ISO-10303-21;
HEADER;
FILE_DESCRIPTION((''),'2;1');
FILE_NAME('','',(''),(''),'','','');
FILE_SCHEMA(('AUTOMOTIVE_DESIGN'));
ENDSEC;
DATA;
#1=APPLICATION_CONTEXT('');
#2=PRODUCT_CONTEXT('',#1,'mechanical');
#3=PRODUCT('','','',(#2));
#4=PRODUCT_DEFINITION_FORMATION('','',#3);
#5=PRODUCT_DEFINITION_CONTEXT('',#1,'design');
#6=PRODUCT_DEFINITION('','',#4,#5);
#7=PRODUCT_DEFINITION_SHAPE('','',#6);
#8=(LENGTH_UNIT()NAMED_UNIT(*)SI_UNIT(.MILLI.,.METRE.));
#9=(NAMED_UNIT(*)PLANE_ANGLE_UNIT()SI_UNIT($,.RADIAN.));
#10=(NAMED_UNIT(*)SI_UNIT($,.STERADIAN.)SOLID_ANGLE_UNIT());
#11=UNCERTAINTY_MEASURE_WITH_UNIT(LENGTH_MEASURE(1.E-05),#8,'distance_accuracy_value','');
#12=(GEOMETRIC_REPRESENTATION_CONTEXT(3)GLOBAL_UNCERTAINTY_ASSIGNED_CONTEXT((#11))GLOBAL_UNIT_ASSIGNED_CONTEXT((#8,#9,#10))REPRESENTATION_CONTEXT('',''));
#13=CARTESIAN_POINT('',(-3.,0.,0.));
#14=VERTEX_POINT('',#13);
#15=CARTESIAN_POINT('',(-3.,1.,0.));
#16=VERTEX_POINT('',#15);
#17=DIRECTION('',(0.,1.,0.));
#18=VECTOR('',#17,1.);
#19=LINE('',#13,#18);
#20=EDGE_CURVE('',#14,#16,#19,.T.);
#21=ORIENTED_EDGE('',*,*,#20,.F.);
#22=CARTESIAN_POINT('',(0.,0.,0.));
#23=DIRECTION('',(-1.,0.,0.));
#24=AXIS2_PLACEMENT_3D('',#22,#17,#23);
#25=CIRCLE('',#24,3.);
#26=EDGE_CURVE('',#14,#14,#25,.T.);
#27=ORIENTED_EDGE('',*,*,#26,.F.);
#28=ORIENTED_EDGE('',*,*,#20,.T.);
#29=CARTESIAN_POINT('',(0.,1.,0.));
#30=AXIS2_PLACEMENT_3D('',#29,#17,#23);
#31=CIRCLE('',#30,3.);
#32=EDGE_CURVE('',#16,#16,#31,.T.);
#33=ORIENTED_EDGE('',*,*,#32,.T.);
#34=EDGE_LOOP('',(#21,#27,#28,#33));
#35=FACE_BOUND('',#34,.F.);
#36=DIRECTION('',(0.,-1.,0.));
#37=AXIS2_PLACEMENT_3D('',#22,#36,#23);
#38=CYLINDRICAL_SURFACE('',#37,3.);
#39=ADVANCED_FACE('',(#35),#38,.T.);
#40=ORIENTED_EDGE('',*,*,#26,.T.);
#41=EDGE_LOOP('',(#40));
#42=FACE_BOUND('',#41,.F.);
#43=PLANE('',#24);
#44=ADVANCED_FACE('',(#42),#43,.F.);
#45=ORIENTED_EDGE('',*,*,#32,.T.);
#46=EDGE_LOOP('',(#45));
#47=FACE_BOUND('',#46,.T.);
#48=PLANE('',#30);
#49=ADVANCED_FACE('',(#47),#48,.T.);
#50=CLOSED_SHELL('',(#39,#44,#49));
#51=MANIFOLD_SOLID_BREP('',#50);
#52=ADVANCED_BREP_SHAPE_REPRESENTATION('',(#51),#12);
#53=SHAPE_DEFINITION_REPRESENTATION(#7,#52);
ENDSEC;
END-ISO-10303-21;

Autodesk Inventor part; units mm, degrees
ref_plane "YZ Plane" through (0, 0, 0) normal (1, 0, 0) x (0, 1, 0)
ref_plane "XZ Plane" through (0, 0, 0) normal (0, 1, 0) x (-1, 0, 0)
ref_plane "XY Plane" through (0, 0, 0) normal (0, 0, 1) x (1, 0, 0)
sketch "Sketch1" plane through (0, 0, 0) normal (0, 1, 0) x (-1, 0, 0)
  circle A0 centre (0, 0) radius 3
  dimension "d0" = 6
extrude "Extrusion1" add sketch "Sketch1" along normal blind 1
sketch "Sketch2" plane through (0, 1, 0) normal (0, 1, 0) x (1, 0, 0)
  circle A0 centre (0, 0) radius 3 projected
sketch "Sketch3" plane through (0, 0, 0) normal (0, -1, 0) x (1, 0, 0)
  circle A0 centre (0, 0) radius 3 projected
sketch "Sketch4" plane through (0, 1, 0) normal (0, 1, 0) x (1, 0, 0)
  line L0 (-1.25, -1.25) -> (1.25, -1.25)
  line L1 (1.25, -1.25) -> (1.25, 1.25)
  line L2 (1.25, 1.25) -> (-1.25, 1.25)
  line L3 (-1.25, 1.25) -> (-1.25, -1.25)
  line L4 (-1.25, -1.25) -> (1.25, 1.25) construction
  line L5 (1.25, -1.25) -> (-1.25, 1.25) construction
  point P0 (0, 0)
  dimension "d3" = 2.5
  dimension "d4" = 2.5
properties part number "conector_motores"
